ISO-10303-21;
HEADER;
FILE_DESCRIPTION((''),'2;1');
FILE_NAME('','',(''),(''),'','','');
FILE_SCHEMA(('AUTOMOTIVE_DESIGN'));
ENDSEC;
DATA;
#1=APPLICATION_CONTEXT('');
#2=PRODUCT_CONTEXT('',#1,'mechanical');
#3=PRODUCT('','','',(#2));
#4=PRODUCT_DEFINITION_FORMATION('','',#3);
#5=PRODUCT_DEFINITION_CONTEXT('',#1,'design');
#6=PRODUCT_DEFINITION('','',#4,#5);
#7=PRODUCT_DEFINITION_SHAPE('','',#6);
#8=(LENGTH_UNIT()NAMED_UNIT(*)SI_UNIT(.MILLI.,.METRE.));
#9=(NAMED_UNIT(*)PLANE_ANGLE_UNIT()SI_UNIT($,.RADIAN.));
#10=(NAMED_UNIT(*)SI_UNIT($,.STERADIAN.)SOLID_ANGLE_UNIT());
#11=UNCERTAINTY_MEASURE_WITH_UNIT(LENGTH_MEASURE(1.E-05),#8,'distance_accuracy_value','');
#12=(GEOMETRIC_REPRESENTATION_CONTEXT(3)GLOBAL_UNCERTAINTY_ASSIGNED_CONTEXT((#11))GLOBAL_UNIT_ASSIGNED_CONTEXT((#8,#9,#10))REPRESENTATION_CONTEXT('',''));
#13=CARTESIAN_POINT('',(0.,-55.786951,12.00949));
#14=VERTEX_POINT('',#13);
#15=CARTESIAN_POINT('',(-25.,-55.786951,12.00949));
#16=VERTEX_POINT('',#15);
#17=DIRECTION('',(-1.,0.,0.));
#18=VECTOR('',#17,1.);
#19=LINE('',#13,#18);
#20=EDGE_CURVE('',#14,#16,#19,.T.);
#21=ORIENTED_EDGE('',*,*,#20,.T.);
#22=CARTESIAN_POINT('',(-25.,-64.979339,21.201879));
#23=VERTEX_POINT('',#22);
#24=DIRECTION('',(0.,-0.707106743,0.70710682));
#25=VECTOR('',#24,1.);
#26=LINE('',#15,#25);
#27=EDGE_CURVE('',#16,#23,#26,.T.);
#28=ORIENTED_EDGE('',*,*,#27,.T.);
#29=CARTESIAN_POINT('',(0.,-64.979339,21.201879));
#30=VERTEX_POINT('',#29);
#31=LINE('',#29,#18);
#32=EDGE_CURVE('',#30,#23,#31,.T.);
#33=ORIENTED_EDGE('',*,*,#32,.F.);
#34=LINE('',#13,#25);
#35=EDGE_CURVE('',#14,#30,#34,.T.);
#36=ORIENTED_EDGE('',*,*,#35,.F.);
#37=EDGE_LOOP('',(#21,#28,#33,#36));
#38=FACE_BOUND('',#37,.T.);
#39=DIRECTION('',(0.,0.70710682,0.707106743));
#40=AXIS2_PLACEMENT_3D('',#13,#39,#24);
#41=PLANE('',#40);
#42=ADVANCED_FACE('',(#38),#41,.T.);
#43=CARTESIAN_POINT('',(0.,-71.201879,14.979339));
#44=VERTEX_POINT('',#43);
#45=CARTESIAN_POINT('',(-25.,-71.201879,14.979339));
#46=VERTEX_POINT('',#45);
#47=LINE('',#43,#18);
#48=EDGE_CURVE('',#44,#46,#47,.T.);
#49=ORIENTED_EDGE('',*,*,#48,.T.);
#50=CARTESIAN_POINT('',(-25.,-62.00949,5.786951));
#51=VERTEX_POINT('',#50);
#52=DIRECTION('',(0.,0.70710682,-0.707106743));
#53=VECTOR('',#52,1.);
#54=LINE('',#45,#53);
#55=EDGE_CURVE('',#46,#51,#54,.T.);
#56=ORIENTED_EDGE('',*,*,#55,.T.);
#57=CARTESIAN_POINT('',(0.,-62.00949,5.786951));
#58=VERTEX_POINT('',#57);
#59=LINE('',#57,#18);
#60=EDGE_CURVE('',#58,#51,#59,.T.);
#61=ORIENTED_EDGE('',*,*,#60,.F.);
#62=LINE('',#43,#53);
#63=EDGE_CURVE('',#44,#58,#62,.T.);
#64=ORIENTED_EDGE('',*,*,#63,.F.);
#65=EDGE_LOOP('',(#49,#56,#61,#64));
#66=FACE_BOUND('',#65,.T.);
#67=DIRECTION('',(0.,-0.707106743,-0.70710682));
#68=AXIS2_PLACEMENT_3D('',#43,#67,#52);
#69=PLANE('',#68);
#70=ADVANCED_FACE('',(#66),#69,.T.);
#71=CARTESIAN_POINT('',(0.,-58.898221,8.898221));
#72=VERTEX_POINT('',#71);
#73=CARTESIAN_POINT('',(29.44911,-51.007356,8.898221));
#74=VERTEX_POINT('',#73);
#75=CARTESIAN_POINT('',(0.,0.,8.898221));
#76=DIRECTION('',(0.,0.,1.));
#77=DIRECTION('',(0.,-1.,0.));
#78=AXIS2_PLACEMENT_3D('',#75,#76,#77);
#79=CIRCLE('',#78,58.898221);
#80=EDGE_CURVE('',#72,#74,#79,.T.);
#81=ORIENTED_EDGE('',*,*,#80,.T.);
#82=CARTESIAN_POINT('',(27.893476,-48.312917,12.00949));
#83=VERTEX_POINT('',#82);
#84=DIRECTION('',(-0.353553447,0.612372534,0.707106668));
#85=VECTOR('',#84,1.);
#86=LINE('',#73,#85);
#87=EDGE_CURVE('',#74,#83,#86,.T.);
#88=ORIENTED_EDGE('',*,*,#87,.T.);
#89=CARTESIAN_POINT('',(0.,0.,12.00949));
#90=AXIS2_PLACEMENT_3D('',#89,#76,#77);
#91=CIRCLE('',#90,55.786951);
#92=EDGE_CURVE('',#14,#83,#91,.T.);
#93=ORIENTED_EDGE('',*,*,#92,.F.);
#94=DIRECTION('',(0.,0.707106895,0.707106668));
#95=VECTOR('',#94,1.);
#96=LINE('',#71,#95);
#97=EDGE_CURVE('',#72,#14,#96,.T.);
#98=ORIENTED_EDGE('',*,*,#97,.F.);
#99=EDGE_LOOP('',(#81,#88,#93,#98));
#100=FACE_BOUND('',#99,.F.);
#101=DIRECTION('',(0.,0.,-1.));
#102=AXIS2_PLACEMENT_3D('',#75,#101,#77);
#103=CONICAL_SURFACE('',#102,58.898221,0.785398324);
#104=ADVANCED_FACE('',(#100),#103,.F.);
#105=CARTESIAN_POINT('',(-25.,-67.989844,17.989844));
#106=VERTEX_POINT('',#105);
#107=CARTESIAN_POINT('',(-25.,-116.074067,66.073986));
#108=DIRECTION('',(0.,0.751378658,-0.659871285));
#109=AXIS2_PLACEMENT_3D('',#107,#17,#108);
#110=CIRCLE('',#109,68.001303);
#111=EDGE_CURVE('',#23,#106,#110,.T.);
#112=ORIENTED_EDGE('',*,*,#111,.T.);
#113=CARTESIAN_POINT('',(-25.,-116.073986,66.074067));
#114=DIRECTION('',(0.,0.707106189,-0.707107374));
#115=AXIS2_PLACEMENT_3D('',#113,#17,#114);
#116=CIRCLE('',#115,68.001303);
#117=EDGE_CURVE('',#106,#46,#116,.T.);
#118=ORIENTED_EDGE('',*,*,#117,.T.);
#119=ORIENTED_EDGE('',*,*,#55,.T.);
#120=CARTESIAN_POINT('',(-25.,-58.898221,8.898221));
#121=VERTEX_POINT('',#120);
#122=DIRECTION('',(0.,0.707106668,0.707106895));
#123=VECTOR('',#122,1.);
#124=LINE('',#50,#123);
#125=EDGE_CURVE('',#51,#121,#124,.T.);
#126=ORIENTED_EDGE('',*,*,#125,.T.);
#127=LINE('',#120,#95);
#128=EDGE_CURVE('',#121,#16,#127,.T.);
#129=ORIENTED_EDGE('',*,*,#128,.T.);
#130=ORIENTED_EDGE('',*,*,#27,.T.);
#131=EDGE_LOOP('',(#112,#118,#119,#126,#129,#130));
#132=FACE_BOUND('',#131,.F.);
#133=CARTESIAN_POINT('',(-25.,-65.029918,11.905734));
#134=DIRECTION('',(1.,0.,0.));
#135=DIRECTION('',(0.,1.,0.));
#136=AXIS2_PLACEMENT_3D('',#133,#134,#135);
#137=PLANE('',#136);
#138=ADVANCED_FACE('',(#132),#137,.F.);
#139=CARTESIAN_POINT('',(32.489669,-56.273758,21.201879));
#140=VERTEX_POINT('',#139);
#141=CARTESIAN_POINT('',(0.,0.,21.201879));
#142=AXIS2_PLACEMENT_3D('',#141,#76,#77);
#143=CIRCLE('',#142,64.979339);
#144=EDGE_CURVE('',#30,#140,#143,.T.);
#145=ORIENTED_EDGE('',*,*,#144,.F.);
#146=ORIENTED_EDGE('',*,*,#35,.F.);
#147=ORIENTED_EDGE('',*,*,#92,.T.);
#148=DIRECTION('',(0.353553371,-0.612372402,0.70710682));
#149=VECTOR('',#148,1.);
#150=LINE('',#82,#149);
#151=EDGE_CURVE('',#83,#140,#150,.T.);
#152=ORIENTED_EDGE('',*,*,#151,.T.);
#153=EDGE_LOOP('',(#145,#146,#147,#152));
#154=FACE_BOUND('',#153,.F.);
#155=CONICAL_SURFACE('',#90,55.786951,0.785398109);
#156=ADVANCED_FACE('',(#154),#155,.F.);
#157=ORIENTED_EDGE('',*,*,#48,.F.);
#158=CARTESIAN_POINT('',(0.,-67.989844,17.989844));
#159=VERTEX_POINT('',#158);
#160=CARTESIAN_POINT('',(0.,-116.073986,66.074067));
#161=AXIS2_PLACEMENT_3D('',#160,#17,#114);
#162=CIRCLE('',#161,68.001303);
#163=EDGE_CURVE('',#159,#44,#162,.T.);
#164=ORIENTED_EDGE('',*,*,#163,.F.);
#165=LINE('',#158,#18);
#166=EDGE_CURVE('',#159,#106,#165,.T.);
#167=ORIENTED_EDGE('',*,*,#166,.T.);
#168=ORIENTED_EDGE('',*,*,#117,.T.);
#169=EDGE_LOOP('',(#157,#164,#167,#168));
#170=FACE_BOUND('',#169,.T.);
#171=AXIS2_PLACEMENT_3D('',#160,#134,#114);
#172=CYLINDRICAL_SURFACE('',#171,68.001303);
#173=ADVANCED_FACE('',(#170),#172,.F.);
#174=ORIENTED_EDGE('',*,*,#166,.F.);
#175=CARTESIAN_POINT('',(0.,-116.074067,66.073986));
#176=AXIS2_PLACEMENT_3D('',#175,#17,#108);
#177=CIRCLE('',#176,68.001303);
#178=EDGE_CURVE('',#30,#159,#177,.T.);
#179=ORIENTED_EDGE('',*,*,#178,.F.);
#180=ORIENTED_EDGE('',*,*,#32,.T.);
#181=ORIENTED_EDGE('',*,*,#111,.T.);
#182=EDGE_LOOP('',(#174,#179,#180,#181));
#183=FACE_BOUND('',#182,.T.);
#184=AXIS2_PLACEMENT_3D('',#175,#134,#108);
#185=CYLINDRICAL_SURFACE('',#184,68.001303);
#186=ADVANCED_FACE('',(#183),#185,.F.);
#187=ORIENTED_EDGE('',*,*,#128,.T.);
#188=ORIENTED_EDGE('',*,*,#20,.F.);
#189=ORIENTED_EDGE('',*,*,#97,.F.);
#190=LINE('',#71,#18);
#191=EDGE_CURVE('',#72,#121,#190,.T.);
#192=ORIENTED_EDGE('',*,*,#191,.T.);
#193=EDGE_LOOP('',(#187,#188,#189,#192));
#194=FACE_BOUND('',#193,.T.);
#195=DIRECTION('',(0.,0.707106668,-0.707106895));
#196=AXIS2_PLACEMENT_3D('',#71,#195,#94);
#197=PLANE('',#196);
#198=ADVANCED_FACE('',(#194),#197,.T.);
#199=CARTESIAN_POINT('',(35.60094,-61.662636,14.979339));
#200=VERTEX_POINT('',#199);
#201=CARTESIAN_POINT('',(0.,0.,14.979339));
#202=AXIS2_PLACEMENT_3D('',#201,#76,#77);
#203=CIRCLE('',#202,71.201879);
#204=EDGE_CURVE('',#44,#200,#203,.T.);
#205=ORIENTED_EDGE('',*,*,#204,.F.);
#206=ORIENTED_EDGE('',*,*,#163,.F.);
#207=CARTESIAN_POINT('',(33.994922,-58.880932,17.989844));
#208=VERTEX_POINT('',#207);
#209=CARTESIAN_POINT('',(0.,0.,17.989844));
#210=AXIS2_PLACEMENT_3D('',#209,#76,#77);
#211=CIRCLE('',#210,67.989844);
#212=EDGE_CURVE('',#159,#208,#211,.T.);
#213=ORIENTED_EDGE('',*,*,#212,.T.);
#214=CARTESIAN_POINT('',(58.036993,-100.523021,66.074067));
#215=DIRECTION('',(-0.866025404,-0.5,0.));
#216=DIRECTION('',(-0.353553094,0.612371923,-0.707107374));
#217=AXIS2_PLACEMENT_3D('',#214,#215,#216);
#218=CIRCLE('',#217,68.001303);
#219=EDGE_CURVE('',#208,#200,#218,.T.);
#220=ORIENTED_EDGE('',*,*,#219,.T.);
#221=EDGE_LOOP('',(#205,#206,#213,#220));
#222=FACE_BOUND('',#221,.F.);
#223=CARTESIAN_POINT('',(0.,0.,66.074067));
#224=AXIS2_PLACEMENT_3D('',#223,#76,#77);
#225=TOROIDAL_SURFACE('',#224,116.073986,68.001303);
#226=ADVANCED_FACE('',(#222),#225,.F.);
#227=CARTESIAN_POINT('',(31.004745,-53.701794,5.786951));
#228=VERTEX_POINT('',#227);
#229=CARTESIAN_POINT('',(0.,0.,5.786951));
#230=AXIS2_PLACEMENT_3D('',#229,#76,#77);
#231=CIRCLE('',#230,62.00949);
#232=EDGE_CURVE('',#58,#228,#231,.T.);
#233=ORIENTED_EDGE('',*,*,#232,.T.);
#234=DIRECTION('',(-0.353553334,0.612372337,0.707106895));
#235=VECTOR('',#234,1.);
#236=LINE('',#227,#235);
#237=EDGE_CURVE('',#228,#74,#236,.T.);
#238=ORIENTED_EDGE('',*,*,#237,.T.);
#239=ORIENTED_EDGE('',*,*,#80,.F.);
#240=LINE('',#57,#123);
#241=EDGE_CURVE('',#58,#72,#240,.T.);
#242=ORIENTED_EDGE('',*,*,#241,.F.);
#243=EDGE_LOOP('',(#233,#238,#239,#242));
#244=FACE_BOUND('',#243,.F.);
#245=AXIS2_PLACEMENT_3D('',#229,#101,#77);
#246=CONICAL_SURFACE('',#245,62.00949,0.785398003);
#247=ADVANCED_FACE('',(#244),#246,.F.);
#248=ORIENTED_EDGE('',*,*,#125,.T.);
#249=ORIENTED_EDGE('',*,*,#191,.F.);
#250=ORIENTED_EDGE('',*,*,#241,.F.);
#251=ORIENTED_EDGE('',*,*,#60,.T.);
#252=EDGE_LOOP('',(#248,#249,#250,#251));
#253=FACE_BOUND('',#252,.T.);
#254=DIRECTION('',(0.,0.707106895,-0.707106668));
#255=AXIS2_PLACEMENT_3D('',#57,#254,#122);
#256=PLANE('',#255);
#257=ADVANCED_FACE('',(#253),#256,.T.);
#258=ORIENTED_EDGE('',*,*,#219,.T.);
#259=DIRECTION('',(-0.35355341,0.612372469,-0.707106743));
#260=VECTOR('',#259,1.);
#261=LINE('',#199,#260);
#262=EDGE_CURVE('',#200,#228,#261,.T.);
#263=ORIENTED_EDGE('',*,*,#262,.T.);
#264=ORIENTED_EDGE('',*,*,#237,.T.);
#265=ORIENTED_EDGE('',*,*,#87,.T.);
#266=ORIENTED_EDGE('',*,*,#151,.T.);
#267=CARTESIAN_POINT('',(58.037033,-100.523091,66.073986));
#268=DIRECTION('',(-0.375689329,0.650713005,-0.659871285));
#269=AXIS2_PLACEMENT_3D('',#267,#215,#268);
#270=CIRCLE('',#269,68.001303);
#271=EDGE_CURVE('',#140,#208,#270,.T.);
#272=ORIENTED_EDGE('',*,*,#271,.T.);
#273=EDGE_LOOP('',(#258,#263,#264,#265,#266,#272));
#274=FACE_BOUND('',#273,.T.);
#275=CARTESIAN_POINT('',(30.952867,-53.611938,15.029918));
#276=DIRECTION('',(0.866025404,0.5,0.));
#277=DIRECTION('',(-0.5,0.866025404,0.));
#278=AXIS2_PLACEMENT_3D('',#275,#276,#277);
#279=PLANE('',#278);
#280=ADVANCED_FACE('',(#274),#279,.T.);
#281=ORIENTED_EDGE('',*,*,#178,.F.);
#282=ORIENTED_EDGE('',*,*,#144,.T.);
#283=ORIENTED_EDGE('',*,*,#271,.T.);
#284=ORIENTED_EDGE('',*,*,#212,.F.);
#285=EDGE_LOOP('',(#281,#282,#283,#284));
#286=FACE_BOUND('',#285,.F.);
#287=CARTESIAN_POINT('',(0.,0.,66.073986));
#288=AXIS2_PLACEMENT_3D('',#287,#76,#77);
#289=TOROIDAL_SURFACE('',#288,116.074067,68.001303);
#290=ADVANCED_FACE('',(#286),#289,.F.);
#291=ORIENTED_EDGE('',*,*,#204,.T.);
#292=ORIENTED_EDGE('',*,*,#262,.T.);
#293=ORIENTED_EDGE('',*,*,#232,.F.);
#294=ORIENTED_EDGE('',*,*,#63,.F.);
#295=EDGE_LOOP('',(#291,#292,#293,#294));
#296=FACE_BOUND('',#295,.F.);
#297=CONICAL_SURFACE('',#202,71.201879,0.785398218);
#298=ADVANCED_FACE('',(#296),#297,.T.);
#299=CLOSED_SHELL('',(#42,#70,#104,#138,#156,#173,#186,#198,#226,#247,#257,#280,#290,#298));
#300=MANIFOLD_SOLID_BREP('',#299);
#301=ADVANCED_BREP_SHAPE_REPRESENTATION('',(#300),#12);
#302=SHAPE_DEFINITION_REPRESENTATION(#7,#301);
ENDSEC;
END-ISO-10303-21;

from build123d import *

# Parameters (mm, degrees)
F2_ANGLE = 30
F3_DEPTH = 25


with BuildPart() as f2:
    # F1 (on Right) → F2 (revolve)
    with BuildSketch(Plane.YZ):
        with BuildLine():
            Line((-55.786951, 12.00949), (-64.979339, 21.201879))
            ThreePointArc((-64.979339, 21.201879), (-66.458592, 19.571493), (-67.989844, 17.989844))
            Line((-67.989844, 17.989844), (-58.898221, 8.898221))
            Line((-58.898221, 8.898221), (-55.786951, 12.00949))
        make_face()
        with BuildLine():
            ThreePointArc((-67.989844, 17.989844), (-69.571493, 16.458592), (-71.201879, 14.979339))
            Line((-71.201879, 14.979339), (-62.00949, 5.786951))
            Line((-62.00949, 5.786951), (-58.898221, 8.898221))
            Line((-58.898221, 8.898221), (-67.989844, 17.989844))
        make_face()
    revolve(axis=Axis((0, 0, 12.074878), (0, 0, 1)), revolution_arc=F2_ANGLE)

    # F1 (on Right) → F3 (join)
    with BuildSketch(Plane.YZ):
        with BuildLine():
            ThreePointArc((-67.989844, 17.989844), (-69.571493, 16.458592), (-71.201879, 14.979339))
            Line((-71.201879, 14.979339), (-62.00949, 5.786951))
            Line((-62.00949, 5.786951), (-58.898221, 8.898221))
            Line((-58.898221, 8.898221), (-67.989844, 17.989844))
        make_face()
        with BuildLine():
            Line((-55.786951, 12.00949), (-64.979339, 21.201879))
            ThreePointArc((-64.979339, 21.201879), (-66.458592, 19.571493), (-67.989844, 17.989844))
            Line((-67.989844, 17.989844), (-58.898221, 8.898221))
            Line((-58.898221, 8.898221), (-55.786951, 12.00949))
        make_face()
    extrude(amount=-F3_DEPTH)


solid = f2.part
